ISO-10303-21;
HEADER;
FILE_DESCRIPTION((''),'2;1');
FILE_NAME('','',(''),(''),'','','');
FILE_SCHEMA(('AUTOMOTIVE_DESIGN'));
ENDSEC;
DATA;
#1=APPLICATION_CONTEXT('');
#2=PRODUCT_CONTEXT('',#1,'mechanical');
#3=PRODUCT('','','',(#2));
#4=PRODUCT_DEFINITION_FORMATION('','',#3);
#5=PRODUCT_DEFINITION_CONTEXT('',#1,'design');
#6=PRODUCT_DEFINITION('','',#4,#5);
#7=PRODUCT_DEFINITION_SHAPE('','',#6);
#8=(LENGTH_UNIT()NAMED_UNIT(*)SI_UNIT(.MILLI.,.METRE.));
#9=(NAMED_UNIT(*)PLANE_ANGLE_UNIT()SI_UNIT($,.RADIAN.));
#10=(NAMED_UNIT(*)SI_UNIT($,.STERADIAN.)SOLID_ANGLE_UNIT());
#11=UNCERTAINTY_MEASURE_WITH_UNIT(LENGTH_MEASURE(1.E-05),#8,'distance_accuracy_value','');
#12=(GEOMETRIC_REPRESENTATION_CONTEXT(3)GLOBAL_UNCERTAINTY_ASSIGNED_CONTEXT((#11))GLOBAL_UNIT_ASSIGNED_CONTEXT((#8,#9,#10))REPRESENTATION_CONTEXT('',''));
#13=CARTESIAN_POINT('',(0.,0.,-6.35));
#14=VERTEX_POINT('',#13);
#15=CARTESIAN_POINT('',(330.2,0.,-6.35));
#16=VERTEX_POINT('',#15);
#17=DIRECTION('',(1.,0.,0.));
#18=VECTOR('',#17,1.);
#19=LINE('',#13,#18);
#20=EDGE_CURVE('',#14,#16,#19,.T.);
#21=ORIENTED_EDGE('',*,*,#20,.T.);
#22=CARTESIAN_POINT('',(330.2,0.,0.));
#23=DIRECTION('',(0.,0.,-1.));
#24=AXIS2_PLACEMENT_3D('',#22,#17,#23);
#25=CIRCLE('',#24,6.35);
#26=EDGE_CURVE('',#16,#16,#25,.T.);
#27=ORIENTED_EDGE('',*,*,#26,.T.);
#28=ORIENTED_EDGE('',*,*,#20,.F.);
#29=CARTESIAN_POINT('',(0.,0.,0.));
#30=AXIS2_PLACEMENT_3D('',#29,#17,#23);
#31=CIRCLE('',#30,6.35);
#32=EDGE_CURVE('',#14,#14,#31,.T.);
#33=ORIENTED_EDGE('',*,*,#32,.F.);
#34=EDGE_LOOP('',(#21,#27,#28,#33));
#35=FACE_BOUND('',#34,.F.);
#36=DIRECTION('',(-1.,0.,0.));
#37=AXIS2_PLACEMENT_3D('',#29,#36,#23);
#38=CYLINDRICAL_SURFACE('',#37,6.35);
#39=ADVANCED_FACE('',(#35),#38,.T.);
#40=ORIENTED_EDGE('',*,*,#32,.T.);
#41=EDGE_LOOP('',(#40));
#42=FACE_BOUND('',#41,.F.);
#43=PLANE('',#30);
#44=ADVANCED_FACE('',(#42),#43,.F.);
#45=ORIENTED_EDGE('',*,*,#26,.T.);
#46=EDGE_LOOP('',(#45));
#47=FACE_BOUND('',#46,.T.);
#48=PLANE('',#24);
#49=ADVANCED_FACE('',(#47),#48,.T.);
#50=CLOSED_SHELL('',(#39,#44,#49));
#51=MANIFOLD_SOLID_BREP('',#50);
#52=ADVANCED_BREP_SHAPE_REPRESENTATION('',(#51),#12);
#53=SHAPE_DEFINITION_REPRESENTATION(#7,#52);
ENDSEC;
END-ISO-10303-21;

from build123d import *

# Parameters (mm, degrees)
SKETCH1_R           = 6.35
BOSS_EXTRUDE1_DEPTH = 330.2


with BuildPart() as part:
    # Sketch1 → Boss-Extrude1 (new body)
    with BuildSketch(Plane(origin=(0, 0, 0), x_dir=(0, 0, -1), z_dir=(1, 0, 0))):
        Circle(SKETCH1_R)
    extrude(amount=BOSS_EXTRUDE1_DEPTH)


solid = part.part
